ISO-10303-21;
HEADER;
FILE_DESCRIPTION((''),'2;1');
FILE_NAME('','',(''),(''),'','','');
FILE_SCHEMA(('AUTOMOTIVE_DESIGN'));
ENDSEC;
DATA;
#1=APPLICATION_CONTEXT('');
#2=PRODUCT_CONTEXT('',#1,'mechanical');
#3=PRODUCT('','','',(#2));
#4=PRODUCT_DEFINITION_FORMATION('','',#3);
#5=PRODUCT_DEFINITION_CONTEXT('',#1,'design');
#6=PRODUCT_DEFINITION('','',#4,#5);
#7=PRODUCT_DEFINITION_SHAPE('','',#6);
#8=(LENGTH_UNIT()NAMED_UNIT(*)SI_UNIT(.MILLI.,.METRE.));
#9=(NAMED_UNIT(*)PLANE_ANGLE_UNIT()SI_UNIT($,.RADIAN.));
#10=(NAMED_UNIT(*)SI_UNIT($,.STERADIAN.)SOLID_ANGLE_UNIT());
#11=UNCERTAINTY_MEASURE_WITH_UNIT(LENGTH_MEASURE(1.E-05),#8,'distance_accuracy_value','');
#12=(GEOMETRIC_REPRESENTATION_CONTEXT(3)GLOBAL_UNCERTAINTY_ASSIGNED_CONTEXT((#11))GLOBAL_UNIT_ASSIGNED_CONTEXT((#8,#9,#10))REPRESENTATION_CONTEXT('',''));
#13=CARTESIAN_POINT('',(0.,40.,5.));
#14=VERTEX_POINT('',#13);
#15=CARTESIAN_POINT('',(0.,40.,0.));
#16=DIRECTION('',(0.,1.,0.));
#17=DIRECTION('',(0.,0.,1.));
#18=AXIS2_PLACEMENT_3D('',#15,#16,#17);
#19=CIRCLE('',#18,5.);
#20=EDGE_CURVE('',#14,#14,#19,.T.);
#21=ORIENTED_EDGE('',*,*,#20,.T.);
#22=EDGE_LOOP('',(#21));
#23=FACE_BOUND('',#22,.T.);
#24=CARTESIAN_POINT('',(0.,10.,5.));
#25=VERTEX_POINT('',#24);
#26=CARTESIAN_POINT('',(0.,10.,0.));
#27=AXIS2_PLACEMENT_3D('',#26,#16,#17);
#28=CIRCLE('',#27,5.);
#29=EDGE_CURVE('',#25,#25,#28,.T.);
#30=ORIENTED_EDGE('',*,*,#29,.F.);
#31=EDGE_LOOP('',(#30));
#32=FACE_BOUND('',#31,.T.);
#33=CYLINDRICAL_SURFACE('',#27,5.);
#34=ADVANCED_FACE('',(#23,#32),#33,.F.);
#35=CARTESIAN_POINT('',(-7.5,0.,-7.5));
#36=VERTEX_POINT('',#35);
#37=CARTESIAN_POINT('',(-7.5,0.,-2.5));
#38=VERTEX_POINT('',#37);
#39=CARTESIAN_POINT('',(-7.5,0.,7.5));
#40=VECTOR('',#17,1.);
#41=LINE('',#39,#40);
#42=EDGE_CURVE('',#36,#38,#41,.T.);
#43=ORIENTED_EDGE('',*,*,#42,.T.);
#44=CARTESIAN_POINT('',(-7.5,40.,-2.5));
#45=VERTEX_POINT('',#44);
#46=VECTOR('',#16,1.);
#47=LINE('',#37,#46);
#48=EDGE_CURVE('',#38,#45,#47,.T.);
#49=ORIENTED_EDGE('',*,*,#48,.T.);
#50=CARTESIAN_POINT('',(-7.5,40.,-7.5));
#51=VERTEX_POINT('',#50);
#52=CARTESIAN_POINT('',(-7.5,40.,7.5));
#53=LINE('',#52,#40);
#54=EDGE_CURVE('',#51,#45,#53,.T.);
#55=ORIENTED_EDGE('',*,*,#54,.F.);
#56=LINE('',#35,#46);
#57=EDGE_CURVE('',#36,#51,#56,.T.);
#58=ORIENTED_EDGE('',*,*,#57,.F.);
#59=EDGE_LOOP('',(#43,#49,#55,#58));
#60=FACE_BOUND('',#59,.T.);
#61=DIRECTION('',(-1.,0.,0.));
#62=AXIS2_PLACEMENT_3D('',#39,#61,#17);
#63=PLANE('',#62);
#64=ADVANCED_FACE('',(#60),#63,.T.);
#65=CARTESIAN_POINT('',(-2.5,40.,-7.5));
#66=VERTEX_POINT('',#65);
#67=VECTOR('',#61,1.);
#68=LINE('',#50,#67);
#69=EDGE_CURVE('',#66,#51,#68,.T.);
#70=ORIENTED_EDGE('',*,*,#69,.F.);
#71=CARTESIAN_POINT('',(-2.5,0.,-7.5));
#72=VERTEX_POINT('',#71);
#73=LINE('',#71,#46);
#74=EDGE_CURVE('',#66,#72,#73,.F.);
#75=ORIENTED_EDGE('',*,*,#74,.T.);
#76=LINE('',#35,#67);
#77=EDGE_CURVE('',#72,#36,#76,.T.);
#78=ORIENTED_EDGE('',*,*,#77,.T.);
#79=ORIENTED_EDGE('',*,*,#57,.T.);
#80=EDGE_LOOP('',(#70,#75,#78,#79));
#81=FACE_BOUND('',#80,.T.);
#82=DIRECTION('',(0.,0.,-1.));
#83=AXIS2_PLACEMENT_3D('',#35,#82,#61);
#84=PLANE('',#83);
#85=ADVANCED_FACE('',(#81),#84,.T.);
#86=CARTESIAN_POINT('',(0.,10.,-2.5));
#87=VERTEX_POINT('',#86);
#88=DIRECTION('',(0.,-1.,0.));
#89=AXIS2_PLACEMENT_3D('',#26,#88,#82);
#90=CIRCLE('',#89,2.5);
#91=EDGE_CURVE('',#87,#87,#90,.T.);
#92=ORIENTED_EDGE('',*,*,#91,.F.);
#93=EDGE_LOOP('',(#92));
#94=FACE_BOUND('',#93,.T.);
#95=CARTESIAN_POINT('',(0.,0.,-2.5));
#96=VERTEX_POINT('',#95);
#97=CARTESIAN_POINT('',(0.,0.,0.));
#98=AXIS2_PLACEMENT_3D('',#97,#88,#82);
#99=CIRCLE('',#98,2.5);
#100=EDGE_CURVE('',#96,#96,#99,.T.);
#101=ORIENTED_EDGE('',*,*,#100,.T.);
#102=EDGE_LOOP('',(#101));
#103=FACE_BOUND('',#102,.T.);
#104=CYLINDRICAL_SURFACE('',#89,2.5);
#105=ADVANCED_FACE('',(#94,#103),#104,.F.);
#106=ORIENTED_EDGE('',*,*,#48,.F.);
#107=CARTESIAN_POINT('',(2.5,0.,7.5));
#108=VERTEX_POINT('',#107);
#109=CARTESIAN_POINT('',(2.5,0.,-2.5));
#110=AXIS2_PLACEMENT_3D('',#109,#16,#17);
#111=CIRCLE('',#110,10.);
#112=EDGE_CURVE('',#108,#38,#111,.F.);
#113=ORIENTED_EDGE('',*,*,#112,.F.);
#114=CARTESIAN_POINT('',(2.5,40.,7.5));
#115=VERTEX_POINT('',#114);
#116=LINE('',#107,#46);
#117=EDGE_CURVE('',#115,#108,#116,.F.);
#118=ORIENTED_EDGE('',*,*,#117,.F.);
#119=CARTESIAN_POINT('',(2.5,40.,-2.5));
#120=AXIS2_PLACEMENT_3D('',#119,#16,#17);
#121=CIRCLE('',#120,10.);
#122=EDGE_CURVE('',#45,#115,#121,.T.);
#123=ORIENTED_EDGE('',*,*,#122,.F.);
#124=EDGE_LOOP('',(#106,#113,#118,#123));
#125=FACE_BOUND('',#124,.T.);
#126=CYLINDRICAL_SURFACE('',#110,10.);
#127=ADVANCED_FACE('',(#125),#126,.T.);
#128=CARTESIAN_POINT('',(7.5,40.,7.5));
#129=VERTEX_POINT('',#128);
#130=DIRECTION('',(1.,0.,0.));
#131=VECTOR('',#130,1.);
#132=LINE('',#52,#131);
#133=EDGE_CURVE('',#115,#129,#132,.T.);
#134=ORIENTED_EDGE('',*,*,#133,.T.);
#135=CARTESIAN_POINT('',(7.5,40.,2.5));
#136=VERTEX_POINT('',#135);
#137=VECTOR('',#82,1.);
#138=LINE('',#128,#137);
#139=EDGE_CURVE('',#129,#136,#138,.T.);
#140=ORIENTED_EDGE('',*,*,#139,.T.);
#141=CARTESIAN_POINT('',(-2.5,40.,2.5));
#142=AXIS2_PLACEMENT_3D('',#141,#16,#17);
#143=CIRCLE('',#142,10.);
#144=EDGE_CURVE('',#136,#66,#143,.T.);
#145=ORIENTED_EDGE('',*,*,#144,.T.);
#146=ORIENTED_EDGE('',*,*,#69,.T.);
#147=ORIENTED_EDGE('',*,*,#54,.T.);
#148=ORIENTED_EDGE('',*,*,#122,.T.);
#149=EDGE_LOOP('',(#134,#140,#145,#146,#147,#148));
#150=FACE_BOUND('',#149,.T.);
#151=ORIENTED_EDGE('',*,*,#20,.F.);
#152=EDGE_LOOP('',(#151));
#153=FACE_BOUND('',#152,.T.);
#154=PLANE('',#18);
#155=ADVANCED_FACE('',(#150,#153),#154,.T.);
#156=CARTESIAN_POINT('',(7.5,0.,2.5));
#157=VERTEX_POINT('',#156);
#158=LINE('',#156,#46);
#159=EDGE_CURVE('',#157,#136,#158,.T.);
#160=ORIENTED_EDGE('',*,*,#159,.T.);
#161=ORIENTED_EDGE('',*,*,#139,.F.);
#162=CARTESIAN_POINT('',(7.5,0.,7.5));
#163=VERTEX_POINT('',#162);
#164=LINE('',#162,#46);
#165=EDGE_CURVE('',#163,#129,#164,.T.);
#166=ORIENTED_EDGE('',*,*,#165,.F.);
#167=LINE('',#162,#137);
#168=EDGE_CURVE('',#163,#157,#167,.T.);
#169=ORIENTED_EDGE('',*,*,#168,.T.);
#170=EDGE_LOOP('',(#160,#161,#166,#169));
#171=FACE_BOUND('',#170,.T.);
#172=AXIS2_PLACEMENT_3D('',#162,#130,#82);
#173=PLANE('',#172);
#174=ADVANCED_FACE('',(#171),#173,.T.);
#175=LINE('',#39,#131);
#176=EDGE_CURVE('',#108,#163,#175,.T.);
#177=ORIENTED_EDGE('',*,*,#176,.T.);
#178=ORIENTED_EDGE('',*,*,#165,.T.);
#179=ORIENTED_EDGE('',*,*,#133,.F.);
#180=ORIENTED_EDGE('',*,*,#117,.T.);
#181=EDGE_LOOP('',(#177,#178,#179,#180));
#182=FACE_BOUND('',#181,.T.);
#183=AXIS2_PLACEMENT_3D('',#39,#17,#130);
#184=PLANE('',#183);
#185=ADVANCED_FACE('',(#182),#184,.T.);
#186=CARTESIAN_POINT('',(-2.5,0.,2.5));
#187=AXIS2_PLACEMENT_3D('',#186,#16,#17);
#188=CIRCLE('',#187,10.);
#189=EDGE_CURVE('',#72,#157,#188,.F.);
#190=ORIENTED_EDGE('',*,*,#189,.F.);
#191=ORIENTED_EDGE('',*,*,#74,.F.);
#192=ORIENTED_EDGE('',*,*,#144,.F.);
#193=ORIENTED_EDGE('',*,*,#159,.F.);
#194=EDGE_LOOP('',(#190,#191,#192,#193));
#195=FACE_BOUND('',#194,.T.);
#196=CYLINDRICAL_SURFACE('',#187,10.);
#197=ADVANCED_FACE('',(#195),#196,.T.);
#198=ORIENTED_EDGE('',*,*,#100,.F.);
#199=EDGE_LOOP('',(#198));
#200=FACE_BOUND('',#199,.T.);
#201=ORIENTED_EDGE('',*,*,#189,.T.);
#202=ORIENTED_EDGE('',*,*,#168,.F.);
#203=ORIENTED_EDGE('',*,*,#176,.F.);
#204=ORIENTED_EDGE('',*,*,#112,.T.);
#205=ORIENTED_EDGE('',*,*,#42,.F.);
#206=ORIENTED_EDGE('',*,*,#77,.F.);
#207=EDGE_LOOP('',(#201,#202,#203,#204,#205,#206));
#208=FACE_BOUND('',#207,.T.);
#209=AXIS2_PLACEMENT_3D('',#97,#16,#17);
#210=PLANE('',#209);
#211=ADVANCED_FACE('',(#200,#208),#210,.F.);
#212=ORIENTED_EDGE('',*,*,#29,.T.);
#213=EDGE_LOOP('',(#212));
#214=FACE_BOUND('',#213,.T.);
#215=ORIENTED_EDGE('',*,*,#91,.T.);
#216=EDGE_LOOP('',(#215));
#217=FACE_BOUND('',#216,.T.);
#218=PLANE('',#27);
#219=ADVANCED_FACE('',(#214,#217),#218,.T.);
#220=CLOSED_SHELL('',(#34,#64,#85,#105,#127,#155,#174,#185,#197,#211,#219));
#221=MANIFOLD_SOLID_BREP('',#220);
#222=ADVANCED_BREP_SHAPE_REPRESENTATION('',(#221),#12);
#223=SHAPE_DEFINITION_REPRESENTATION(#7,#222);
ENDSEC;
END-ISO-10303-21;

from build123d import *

# Parameters (mm, degrees)
SKETCH_1_R            = 6
EXTRUDE_1_DEPTH       = 40
SKETCH_2_R            = 5
CUT_EXTRUDE_2_DEPTH   = 30
SKETCH_3_R            = 2.5
CUT_EXTRUDE_4_DEPTH   = 10
SKETCH_5_R            = 16
SKETCH_5_R_2          = 6
EXTRUDE_1_2_DEPTH     = 40
SKETCH_6_W            = 32
SKETCH_6_H            = 32
SKETCH_6_W_2          = 12
SKETCH_6_H_2          = 12
EXTRUDE_2_DEPTH       = 40
SKETCH_7_W            = 35
SKETCH_7_H            = 35
SKETCH_7_W_2          = 15
SKETCH_7_H_2          = 15
CUT_EXTRUDE_2_2_DEPTH = 46.956501172
FILLET_1_R            = 10


with BuildPart() as part:
    # 草圖1 → Extrude 1 (new body)
    with BuildSketch(Plane(origin=(0, 0, 0), x_dir=(1, 0, 0), z_dir=(0, 1, 0))):
        with Locations(Location((0, 0, 0), (0, 0, 270))):
            Circle(SKETCH_1_R)
    extrude(amount=EXTRUDE_1_DEPTH)

    # 草圖2 → Cut-Extrude 2 (cut)
    with BuildSketch(Plane(origin=(0, 40, 0), x_dir=(1, 0, 0), z_dir=(0, 1, 0))):
        with Locations(Location((0, 0, 0), (0, 0, 270))):
            Circle(SKETCH_2_R)
    extrude(amount=-CUT_EXTRUDE_2_DEPTH, mode=Mode.SUBTRACT)

    # 草圖3 → 除料-伸長4 (cut)
    with BuildSketch(Plane.XZ):
        with Locations(Location((0, 0, 0), (0, 0, 270))):
            Circle(SKETCH_3_R)
    extrude(amount=-CUT_EXTRUDE_4_DEPTH, mode=Mode.SUBTRACT)

    # 草圖5 → Extrude 1 2 (add)
    with BuildSketch(Plane(origin=(0, 0, 0), x_dir=(1, 0, 0), z_dir=(0, 1, 0))):
        Circle(SKETCH_5_R)
        Circle(SKETCH_5_R_2, mode=Mode.SUBTRACT)
    extrude(amount=EXTRUDE_1_2_DEPTH)

    # 草圖6 → 伸長-薄件2 (add)
    with BuildSketch(Plane(origin=(0, 40, 0), x_dir=(1, 0, 0), z_dir=(0, 1, 0))):
        Rectangle(SKETCH_6_W, SKETCH_6_H)
        Rectangle(SKETCH_6_W_2, SKETCH_6_H_2, mode=Mode.SUBTRACT)
    extrude(amount=-EXTRUDE_2_DEPTH)

    # 草圖7 → Cut-Extrude 2 2 (cut, through all)
    with BuildSketch(Plane(origin=(0, 40, 0), x_dir=(1, 0, 0), z_dir=(0, 1, 0))):
        Rectangle(SKETCH_7_W, SKETCH_7_H)
        Rectangle(SKETCH_7_W_2, SKETCH_7_H_2, mode=Mode.SUBTRACT)
    extrude(amount=-CUT_EXTRUDE_2_2_DEPTH, mode=Mode.SUBTRACT)

    # 圓角1
    fillet_1_edges = [part.edges().sort_by_distance(p)[0] for p in [
        (-7.5, 20, 7.5),
        (7.5, 20, -7.5),
    ]]
    fillet(fillet_1_edges, radius=FILLET_1_R)


solid = part.part
